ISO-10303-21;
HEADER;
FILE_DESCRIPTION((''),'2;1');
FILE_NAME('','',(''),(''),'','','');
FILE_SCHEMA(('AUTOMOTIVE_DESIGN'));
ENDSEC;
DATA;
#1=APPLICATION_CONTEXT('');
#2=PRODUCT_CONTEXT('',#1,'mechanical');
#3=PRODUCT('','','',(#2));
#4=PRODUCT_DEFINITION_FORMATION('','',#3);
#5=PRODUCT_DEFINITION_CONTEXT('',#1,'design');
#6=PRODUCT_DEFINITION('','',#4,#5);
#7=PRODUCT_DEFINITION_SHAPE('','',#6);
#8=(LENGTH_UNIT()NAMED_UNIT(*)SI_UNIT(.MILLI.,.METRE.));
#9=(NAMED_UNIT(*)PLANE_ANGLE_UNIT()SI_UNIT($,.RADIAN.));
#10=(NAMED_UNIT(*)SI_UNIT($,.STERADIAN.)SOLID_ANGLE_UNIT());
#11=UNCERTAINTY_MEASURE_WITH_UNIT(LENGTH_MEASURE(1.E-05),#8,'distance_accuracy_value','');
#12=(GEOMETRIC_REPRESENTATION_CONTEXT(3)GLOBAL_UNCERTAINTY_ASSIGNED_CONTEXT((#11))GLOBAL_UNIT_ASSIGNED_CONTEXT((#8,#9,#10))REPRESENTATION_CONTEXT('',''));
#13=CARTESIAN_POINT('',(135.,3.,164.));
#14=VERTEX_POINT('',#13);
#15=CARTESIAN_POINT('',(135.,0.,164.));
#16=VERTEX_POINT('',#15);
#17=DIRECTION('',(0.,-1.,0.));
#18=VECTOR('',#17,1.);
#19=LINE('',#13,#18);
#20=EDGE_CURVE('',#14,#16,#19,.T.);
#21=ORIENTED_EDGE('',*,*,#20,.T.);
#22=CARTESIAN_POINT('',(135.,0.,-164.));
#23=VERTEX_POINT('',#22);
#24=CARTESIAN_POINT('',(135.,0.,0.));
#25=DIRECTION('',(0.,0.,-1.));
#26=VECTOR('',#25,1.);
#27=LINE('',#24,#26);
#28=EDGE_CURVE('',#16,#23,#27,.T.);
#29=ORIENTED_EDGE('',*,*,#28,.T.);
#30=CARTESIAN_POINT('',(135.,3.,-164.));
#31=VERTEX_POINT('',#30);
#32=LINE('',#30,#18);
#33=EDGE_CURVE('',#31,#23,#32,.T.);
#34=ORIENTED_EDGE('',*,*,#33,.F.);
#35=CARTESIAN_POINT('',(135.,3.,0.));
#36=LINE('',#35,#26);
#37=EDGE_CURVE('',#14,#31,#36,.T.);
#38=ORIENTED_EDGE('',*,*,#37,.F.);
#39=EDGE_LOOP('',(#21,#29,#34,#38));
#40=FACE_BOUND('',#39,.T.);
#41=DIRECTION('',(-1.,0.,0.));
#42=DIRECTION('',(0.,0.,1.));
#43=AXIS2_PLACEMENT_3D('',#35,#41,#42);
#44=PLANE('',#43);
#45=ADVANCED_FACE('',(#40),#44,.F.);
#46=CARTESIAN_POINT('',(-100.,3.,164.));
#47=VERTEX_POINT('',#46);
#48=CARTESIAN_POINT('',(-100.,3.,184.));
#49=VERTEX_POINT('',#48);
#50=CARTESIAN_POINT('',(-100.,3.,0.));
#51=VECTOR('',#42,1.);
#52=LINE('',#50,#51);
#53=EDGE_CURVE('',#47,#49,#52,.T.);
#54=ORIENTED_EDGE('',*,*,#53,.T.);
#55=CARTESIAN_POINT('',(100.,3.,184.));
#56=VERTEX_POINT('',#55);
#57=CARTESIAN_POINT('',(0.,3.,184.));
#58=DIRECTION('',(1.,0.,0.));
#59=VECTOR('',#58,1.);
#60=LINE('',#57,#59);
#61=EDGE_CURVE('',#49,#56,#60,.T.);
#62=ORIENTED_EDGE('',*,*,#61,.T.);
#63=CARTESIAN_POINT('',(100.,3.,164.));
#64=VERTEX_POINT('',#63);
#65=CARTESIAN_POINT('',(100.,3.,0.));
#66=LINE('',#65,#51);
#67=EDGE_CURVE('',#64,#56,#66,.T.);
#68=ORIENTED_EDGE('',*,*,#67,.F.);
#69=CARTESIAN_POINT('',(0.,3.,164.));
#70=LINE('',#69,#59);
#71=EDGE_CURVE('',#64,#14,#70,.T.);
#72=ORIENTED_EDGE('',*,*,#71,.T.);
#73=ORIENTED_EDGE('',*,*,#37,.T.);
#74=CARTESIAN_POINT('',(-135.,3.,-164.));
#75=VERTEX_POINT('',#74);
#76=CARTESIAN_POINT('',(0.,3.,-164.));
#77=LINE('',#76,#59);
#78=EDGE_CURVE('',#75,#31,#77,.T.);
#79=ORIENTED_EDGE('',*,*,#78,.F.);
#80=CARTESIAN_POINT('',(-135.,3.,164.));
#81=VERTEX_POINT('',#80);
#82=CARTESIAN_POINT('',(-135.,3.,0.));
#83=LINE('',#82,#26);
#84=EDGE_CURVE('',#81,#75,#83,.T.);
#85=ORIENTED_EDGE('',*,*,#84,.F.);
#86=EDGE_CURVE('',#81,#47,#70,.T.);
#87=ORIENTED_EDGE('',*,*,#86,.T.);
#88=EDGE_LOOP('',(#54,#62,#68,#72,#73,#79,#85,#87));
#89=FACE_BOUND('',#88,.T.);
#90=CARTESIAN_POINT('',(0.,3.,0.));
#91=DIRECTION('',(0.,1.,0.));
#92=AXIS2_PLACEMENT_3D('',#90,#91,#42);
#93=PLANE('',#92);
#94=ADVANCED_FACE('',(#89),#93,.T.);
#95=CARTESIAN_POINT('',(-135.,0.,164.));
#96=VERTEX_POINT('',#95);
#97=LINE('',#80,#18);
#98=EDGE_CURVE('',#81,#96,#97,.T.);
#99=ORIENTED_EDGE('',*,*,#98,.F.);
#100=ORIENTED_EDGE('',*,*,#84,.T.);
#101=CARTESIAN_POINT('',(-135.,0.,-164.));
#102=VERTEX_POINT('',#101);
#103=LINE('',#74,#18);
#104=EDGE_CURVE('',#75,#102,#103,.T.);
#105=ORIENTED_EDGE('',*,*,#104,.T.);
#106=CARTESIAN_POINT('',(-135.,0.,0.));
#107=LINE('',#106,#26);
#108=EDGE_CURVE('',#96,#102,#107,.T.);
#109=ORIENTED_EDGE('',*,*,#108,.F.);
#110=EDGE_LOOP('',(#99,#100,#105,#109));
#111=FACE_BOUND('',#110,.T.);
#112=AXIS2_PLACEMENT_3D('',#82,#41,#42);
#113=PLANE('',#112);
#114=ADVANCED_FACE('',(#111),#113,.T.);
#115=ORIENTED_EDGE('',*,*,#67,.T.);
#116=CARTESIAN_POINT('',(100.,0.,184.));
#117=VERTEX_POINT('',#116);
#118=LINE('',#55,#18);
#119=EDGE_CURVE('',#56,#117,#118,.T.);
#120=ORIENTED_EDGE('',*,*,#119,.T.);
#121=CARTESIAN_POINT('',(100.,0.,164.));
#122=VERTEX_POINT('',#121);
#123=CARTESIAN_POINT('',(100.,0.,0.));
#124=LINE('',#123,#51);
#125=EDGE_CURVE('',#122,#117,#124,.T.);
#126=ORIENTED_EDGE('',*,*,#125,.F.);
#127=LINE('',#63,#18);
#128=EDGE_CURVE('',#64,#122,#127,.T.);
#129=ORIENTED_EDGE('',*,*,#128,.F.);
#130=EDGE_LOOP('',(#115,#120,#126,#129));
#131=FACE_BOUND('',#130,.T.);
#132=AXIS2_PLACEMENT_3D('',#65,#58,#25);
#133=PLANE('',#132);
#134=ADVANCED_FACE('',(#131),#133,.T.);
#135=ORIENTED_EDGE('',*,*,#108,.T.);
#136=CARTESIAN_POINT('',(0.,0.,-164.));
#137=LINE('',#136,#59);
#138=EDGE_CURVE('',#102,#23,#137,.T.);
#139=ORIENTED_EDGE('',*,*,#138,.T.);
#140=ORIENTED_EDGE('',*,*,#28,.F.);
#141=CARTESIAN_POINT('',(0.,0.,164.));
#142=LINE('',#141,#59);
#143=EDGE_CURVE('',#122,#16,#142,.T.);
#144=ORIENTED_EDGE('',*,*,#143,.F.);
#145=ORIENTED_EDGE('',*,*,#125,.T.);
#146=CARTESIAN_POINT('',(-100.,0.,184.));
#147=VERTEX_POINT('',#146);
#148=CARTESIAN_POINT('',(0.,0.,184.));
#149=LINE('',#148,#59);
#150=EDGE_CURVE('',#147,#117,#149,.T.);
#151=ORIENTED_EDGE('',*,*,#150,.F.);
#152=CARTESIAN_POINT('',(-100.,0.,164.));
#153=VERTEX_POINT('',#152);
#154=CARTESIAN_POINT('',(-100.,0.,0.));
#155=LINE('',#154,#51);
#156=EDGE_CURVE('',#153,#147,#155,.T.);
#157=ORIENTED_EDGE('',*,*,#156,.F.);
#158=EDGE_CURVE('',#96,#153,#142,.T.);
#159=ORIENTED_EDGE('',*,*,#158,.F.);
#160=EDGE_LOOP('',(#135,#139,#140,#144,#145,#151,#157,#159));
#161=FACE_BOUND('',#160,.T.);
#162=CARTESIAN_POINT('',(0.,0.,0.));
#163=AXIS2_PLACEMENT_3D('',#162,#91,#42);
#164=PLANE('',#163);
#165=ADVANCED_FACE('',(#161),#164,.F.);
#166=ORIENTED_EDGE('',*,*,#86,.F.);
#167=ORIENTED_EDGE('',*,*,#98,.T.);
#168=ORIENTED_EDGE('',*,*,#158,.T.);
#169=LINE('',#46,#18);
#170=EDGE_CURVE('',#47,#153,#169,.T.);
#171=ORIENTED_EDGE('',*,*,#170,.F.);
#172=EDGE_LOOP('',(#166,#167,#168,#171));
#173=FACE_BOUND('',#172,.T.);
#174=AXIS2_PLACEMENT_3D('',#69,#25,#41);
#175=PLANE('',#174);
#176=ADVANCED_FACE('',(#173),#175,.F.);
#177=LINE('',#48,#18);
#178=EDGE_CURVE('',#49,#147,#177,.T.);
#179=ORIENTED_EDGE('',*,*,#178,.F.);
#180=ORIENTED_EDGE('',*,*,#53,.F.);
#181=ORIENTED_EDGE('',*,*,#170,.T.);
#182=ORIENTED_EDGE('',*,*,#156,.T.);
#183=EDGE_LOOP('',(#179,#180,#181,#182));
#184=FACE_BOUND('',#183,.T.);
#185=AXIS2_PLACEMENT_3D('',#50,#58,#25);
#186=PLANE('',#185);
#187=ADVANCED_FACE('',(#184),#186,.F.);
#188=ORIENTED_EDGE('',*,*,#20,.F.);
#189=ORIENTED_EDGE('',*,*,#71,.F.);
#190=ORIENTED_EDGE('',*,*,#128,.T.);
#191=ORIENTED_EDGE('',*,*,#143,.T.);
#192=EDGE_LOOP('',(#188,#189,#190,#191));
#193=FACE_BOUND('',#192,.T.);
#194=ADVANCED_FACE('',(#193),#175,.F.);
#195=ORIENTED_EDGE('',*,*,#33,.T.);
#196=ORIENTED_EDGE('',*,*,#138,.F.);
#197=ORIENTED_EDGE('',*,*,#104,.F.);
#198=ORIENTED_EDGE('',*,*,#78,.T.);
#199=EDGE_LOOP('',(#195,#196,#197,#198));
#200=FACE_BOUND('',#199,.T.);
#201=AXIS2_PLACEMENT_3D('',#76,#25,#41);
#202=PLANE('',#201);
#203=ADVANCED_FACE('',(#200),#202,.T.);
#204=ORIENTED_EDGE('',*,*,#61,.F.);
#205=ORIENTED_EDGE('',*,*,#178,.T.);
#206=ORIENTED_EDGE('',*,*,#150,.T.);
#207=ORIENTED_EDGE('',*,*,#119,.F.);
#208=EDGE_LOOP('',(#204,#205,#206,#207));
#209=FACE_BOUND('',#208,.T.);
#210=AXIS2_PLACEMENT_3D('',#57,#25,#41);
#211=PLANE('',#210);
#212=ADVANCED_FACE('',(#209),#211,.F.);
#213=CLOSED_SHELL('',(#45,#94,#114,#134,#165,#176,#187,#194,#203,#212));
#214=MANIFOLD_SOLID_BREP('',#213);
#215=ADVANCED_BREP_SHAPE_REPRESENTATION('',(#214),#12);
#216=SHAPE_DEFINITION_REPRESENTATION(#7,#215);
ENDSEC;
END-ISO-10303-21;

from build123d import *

# Parameters (mm, degrees)
SKETCH1_W           = 200
SKETCH1_H           = 20
SKETCH1_W_2         = 270
SKETCH1_H_2         = 328
BOSS_EXTRUDE1_DEPTH = 3


with BuildPart() as part:
    # Sketch1 → Boss-Extrude1 (new body)
    with BuildSketch(Plane(origin=(0, 0, 0), x_dir=(1, 0, 0), z_dir=(0, 1, 0))):
        with Locations((0, -174)):
            Rectangle(SKETCH1_W, SKETCH1_H)
        Rectangle(SKETCH1_W_2, SKETCH1_H_2)
    extrude(amount=BOSS_EXTRUDE1_DEPTH)


solid = part.part
